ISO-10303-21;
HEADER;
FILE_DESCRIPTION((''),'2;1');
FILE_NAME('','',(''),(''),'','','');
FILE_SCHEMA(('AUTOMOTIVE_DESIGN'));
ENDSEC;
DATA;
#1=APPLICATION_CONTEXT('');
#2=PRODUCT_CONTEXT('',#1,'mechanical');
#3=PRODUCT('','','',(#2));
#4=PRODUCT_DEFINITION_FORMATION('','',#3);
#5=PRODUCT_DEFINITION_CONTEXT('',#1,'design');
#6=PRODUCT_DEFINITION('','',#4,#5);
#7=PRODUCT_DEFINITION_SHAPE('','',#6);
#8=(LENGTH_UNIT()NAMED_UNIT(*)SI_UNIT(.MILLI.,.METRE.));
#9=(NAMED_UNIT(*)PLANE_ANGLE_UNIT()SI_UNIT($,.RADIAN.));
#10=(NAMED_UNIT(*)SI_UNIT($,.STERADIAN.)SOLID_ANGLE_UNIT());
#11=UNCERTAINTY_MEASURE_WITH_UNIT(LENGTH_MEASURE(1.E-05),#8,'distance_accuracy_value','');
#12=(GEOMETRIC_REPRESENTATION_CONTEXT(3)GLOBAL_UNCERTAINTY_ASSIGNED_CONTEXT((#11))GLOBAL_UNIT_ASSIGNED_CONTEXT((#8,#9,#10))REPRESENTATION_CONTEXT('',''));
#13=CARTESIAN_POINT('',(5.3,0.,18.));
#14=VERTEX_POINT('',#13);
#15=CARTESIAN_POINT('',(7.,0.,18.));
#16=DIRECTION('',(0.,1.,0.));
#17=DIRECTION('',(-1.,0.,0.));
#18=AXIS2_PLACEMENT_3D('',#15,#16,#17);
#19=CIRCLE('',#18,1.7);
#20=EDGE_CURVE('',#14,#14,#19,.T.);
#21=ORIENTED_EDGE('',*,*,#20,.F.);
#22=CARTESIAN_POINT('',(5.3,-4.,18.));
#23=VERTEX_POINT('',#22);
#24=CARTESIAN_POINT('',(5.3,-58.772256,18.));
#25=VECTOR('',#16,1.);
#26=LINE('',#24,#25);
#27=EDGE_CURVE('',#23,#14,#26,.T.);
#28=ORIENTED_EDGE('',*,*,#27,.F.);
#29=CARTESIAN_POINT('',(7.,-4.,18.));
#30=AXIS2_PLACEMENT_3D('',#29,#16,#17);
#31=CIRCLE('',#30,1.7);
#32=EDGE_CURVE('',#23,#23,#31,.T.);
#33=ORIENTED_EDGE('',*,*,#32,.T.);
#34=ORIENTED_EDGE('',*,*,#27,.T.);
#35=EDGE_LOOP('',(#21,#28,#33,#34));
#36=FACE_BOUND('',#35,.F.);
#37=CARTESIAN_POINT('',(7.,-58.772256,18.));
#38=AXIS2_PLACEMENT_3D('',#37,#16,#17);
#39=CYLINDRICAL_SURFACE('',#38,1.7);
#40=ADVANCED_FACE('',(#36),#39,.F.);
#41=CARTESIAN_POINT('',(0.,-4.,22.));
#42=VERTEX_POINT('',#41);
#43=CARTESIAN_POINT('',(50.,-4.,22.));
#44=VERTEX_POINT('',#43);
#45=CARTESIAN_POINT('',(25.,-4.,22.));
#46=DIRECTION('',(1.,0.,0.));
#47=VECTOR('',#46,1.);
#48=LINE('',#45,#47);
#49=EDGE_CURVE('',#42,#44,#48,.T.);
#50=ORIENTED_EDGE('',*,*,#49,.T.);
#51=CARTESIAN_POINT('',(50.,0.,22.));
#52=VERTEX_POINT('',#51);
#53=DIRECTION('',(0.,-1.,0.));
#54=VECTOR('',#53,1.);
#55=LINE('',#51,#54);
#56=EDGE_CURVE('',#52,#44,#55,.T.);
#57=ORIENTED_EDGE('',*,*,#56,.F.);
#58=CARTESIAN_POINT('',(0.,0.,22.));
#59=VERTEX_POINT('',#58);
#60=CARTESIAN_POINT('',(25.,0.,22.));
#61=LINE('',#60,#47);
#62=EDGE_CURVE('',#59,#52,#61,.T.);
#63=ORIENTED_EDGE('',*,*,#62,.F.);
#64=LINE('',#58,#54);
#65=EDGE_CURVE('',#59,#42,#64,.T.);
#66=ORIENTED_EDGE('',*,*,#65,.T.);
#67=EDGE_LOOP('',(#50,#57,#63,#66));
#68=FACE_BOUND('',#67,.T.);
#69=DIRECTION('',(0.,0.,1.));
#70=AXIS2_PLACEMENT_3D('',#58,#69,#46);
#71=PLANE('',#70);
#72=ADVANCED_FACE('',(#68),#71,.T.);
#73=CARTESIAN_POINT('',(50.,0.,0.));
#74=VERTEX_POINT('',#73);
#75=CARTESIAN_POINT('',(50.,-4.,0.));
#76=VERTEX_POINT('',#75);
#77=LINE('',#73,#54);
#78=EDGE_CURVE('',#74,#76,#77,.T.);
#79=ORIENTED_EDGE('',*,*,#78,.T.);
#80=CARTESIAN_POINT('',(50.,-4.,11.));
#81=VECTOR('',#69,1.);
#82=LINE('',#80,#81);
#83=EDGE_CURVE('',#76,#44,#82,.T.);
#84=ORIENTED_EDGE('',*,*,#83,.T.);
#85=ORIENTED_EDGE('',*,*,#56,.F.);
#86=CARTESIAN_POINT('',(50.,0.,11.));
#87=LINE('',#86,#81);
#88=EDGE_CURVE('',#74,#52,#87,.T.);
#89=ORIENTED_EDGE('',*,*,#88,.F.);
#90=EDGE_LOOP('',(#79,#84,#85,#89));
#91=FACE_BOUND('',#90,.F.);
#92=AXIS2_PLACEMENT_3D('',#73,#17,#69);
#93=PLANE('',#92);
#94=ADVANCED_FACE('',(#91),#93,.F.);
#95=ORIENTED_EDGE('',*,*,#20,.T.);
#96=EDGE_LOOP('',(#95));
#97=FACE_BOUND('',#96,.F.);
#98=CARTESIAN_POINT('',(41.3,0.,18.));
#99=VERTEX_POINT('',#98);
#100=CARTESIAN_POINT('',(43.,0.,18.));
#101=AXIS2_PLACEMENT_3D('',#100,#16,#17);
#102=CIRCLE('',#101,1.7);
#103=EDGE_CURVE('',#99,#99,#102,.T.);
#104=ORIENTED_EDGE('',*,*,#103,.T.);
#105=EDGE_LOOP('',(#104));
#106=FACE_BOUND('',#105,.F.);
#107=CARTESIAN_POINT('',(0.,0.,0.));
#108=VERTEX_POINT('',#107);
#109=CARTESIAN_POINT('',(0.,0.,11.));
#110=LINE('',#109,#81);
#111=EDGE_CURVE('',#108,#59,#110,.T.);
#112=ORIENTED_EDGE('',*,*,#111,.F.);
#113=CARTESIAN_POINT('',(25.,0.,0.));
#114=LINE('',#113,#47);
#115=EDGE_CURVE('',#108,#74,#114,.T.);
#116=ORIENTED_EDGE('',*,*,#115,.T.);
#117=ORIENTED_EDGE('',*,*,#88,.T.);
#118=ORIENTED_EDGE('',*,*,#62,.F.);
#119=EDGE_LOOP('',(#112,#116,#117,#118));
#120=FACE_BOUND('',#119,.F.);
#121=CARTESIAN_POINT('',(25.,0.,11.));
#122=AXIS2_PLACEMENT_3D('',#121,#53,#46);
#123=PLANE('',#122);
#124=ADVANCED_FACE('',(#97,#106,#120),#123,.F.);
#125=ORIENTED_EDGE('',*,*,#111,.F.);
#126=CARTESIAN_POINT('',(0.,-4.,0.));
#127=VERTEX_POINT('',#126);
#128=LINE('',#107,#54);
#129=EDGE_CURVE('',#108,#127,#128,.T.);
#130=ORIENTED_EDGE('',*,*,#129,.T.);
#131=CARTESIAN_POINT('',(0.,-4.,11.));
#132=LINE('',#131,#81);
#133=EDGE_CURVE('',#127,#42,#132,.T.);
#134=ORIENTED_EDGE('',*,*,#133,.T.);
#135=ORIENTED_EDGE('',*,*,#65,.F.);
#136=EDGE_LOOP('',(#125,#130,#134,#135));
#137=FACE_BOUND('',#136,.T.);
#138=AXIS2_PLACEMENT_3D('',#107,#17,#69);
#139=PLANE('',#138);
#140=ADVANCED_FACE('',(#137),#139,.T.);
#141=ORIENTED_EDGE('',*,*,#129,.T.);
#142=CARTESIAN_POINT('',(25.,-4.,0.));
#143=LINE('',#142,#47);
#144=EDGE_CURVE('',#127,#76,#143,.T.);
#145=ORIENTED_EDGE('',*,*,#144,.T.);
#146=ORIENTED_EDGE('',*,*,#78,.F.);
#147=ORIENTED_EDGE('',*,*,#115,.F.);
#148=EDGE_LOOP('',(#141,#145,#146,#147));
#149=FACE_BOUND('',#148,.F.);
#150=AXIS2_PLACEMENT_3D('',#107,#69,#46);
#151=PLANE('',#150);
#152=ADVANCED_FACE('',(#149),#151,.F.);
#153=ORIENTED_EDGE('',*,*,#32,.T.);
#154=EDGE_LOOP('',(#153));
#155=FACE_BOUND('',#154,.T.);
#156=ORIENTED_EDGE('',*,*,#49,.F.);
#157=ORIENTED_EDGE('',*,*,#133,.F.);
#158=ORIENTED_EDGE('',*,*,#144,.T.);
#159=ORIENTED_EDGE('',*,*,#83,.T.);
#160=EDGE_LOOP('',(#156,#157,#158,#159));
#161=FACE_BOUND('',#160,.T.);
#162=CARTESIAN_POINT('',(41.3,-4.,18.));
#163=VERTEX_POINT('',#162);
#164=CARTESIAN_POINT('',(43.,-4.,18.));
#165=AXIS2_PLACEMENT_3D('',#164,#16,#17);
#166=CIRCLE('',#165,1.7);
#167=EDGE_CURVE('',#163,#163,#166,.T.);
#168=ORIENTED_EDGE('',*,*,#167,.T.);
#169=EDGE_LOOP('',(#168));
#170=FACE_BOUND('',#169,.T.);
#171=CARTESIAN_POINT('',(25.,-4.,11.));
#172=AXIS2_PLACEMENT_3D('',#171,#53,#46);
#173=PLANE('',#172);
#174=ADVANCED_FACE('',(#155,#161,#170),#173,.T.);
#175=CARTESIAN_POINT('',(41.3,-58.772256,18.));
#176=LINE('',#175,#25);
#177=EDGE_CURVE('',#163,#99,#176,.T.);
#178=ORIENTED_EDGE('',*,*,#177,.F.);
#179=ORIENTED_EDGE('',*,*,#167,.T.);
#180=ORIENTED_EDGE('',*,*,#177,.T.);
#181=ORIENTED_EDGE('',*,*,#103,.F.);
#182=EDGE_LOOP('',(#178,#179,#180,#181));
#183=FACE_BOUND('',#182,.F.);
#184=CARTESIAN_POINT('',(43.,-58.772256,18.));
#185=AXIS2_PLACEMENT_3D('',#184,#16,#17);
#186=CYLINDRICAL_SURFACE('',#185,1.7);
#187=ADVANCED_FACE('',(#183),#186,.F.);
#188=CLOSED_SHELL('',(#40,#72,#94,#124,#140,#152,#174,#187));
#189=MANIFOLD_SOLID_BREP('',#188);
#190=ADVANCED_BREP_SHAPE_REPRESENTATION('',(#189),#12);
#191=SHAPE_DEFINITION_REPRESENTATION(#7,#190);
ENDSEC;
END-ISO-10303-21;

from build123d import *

# Parameters (mm, degrees)
F0_W     = 50
F0_H     = 22
F1_DEPTH = 4
F3_D     = 3.4


with BuildPart() as f1:
    # F0 (on Front) → F1 (new body)
    with BuildSketch(Plane.XZ):
        with Locations((25, 11)):
            Rectangle(F0_W, F0_H)
    extrude(amount=F1_DEPTH)

    # F3 (through all)
    with Locations(Plane.XZ.offset(4)):
        with Locations((7, 18), (43, 18)):
            Hole(F3_D / 2)


solid = f1.part
